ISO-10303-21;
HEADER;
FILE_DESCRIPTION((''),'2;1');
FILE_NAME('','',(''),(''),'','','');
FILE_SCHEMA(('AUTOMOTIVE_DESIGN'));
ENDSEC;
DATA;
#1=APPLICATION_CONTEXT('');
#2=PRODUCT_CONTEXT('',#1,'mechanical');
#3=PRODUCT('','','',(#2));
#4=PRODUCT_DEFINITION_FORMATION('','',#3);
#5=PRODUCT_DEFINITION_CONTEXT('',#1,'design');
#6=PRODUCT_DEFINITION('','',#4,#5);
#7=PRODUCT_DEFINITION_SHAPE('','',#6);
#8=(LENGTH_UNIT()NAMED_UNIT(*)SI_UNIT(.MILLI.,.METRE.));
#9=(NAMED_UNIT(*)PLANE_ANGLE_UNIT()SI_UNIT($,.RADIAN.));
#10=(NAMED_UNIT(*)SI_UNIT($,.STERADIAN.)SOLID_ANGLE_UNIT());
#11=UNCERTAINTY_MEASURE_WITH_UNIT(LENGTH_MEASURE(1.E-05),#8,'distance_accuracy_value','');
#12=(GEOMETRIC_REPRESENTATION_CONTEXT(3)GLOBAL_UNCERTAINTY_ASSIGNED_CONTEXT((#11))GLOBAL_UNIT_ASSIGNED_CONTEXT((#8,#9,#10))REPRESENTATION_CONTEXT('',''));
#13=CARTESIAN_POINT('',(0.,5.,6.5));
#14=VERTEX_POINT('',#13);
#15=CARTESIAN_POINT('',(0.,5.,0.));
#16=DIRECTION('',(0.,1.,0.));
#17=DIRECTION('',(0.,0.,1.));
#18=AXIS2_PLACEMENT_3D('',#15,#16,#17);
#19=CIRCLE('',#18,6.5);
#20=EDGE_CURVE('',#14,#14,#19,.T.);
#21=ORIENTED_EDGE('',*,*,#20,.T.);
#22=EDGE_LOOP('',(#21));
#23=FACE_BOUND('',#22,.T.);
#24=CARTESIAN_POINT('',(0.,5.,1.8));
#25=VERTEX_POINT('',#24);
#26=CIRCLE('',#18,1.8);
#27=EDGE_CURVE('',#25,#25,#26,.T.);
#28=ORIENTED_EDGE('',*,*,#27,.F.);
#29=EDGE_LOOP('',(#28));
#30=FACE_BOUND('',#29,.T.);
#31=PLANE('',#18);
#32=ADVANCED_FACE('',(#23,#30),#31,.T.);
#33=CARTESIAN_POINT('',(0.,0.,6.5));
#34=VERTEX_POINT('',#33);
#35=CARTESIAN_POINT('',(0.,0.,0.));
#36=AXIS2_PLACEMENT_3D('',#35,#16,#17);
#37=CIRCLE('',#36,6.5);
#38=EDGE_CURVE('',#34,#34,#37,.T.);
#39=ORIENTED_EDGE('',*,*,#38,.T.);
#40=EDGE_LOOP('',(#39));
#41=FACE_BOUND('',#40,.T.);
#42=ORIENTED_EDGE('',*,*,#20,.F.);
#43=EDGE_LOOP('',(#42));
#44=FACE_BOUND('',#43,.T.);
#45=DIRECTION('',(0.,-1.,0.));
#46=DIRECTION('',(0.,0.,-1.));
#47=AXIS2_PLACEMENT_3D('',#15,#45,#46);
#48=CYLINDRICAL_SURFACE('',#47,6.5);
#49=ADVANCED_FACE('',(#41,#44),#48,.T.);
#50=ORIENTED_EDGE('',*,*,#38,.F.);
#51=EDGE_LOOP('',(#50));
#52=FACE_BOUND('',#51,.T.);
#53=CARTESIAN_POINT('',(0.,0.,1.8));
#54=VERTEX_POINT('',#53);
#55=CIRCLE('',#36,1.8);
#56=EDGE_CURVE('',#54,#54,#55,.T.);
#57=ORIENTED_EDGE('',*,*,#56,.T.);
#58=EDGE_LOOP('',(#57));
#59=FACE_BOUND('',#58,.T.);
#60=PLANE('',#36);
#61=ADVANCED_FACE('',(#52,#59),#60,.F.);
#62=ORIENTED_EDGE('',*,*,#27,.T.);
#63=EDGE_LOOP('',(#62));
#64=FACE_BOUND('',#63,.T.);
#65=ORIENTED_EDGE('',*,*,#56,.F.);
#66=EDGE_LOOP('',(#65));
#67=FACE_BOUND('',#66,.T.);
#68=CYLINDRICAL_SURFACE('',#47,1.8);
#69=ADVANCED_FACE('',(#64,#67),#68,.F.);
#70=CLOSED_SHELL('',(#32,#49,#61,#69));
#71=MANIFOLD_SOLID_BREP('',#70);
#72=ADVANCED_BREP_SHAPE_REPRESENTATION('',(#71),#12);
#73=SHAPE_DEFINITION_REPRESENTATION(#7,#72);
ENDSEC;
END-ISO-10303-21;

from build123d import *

# Parameters (mm, degrees)
SKETCH_1_R      = 6.5
SKETCH_1_R_2    = 1.8
EXTRUDE_1_DEPTH = 5


with BuildPart() as part:
    # Эскиз1 → Бобышка-Вытянуть1 (new body)
    with BuildSketch(Plane(origin=(0, 0, 0), x_dir=(1, 0, 0), z_dir=(0, 1, 0))):
        Circle(SKETCH_1_R)
        Circle(SKETCH_1_R_2, mode=Mode.SUBTRACT)
    extrude(amount=EXTRUDE_1_DEPTH)


solid = part.part
